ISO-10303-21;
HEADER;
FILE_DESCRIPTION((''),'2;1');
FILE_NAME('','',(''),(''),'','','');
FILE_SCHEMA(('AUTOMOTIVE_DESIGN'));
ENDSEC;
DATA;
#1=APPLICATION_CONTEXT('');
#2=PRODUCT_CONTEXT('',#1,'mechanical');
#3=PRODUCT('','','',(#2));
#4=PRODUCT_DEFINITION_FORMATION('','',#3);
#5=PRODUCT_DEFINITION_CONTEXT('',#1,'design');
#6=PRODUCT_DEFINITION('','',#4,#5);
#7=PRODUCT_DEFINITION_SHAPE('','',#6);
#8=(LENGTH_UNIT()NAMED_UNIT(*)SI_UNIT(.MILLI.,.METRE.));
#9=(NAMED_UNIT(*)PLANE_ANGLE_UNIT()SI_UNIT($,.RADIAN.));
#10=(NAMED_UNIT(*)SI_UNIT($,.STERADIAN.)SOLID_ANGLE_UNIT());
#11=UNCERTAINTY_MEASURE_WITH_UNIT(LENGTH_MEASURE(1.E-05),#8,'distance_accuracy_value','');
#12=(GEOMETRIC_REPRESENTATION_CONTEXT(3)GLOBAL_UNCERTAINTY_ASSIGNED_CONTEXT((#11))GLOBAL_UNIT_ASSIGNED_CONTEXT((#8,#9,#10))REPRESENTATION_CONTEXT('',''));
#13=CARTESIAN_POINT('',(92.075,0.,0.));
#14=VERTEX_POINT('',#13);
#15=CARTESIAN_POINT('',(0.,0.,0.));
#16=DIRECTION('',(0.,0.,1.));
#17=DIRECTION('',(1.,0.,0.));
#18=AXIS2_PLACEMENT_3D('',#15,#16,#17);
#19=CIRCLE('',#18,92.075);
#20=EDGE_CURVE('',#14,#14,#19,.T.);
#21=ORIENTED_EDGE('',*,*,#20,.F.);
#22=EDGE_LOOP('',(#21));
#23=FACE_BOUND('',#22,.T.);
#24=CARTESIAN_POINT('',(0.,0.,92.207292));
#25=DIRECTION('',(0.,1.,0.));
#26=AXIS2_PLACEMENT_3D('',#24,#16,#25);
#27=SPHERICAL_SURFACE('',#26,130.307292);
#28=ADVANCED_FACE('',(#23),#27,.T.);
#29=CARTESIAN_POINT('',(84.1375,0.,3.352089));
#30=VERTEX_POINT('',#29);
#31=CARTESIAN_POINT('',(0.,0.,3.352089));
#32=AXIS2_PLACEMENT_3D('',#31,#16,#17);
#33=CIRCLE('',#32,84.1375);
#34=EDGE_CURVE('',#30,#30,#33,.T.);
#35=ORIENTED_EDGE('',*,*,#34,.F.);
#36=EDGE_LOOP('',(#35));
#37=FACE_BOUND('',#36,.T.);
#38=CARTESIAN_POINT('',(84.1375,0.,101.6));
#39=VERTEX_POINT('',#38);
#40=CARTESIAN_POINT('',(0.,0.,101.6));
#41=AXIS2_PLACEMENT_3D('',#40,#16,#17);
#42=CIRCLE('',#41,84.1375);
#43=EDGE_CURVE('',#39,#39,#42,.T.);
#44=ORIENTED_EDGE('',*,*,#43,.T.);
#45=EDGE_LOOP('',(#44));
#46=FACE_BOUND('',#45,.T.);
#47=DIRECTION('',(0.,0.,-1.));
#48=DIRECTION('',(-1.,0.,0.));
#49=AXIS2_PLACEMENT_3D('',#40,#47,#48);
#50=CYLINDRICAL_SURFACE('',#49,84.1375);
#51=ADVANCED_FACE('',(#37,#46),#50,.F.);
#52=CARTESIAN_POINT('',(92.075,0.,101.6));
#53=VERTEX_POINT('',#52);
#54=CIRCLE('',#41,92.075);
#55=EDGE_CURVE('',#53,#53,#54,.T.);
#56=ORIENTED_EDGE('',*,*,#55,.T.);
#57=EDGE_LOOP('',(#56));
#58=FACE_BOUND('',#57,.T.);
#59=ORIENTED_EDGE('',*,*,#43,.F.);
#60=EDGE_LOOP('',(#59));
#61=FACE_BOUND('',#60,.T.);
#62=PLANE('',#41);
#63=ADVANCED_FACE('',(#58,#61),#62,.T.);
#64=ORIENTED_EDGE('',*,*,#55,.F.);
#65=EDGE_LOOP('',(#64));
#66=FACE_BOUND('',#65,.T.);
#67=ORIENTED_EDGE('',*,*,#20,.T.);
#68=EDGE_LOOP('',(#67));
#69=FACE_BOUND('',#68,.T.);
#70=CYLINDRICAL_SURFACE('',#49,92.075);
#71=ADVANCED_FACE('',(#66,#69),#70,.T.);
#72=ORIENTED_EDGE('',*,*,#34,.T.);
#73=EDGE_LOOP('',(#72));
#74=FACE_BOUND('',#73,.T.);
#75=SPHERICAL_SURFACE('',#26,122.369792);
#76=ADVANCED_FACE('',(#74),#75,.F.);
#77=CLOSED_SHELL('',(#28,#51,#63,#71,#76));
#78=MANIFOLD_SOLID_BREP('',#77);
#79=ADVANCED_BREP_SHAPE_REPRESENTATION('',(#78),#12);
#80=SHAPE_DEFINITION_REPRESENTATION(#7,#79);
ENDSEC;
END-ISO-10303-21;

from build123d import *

# Parameters (mm, degrees)
SKETCH1_R           = 92.075
BOSS_EXTRUDE1_DEPTH = 101.6
SHELL1_T            = -7.9375


with BuildPart() as part:
    # Sketch1 → Boss-Extrude1 (new body)
    with BuildSketch(Plane.XY):
        Circle(SKETCH1_R)
    extrude(amount=BOSS_EXTRUDE1_DEPTH)

    # Sketch2 → Revolve1 (revolve)
    with BuildSketch(Plane(origin=(0, 0, 0), x_dir=(0, 0, -1), z_dir=(1, 0, 0))):
        with BuildLine():
            Line((0, 0), (38.1, 0))
            ThreePointArc((38.1, 0), (28.198839221, 49.823226574), (0, 92.075))
            Line((0, 92.075), (0, 0))
        make_face()
    revolve(axis=Axis((0, 0, 0), (0, 0, -1)))

    # Shell1
    shell1_openings = [part.faces().sort_by_distance(p)[0] for p in [
        (0, 0, 101.6),
    ]]
    offset(amount=SHELL1_T, openings=shell1_openings)


solid = part.part
